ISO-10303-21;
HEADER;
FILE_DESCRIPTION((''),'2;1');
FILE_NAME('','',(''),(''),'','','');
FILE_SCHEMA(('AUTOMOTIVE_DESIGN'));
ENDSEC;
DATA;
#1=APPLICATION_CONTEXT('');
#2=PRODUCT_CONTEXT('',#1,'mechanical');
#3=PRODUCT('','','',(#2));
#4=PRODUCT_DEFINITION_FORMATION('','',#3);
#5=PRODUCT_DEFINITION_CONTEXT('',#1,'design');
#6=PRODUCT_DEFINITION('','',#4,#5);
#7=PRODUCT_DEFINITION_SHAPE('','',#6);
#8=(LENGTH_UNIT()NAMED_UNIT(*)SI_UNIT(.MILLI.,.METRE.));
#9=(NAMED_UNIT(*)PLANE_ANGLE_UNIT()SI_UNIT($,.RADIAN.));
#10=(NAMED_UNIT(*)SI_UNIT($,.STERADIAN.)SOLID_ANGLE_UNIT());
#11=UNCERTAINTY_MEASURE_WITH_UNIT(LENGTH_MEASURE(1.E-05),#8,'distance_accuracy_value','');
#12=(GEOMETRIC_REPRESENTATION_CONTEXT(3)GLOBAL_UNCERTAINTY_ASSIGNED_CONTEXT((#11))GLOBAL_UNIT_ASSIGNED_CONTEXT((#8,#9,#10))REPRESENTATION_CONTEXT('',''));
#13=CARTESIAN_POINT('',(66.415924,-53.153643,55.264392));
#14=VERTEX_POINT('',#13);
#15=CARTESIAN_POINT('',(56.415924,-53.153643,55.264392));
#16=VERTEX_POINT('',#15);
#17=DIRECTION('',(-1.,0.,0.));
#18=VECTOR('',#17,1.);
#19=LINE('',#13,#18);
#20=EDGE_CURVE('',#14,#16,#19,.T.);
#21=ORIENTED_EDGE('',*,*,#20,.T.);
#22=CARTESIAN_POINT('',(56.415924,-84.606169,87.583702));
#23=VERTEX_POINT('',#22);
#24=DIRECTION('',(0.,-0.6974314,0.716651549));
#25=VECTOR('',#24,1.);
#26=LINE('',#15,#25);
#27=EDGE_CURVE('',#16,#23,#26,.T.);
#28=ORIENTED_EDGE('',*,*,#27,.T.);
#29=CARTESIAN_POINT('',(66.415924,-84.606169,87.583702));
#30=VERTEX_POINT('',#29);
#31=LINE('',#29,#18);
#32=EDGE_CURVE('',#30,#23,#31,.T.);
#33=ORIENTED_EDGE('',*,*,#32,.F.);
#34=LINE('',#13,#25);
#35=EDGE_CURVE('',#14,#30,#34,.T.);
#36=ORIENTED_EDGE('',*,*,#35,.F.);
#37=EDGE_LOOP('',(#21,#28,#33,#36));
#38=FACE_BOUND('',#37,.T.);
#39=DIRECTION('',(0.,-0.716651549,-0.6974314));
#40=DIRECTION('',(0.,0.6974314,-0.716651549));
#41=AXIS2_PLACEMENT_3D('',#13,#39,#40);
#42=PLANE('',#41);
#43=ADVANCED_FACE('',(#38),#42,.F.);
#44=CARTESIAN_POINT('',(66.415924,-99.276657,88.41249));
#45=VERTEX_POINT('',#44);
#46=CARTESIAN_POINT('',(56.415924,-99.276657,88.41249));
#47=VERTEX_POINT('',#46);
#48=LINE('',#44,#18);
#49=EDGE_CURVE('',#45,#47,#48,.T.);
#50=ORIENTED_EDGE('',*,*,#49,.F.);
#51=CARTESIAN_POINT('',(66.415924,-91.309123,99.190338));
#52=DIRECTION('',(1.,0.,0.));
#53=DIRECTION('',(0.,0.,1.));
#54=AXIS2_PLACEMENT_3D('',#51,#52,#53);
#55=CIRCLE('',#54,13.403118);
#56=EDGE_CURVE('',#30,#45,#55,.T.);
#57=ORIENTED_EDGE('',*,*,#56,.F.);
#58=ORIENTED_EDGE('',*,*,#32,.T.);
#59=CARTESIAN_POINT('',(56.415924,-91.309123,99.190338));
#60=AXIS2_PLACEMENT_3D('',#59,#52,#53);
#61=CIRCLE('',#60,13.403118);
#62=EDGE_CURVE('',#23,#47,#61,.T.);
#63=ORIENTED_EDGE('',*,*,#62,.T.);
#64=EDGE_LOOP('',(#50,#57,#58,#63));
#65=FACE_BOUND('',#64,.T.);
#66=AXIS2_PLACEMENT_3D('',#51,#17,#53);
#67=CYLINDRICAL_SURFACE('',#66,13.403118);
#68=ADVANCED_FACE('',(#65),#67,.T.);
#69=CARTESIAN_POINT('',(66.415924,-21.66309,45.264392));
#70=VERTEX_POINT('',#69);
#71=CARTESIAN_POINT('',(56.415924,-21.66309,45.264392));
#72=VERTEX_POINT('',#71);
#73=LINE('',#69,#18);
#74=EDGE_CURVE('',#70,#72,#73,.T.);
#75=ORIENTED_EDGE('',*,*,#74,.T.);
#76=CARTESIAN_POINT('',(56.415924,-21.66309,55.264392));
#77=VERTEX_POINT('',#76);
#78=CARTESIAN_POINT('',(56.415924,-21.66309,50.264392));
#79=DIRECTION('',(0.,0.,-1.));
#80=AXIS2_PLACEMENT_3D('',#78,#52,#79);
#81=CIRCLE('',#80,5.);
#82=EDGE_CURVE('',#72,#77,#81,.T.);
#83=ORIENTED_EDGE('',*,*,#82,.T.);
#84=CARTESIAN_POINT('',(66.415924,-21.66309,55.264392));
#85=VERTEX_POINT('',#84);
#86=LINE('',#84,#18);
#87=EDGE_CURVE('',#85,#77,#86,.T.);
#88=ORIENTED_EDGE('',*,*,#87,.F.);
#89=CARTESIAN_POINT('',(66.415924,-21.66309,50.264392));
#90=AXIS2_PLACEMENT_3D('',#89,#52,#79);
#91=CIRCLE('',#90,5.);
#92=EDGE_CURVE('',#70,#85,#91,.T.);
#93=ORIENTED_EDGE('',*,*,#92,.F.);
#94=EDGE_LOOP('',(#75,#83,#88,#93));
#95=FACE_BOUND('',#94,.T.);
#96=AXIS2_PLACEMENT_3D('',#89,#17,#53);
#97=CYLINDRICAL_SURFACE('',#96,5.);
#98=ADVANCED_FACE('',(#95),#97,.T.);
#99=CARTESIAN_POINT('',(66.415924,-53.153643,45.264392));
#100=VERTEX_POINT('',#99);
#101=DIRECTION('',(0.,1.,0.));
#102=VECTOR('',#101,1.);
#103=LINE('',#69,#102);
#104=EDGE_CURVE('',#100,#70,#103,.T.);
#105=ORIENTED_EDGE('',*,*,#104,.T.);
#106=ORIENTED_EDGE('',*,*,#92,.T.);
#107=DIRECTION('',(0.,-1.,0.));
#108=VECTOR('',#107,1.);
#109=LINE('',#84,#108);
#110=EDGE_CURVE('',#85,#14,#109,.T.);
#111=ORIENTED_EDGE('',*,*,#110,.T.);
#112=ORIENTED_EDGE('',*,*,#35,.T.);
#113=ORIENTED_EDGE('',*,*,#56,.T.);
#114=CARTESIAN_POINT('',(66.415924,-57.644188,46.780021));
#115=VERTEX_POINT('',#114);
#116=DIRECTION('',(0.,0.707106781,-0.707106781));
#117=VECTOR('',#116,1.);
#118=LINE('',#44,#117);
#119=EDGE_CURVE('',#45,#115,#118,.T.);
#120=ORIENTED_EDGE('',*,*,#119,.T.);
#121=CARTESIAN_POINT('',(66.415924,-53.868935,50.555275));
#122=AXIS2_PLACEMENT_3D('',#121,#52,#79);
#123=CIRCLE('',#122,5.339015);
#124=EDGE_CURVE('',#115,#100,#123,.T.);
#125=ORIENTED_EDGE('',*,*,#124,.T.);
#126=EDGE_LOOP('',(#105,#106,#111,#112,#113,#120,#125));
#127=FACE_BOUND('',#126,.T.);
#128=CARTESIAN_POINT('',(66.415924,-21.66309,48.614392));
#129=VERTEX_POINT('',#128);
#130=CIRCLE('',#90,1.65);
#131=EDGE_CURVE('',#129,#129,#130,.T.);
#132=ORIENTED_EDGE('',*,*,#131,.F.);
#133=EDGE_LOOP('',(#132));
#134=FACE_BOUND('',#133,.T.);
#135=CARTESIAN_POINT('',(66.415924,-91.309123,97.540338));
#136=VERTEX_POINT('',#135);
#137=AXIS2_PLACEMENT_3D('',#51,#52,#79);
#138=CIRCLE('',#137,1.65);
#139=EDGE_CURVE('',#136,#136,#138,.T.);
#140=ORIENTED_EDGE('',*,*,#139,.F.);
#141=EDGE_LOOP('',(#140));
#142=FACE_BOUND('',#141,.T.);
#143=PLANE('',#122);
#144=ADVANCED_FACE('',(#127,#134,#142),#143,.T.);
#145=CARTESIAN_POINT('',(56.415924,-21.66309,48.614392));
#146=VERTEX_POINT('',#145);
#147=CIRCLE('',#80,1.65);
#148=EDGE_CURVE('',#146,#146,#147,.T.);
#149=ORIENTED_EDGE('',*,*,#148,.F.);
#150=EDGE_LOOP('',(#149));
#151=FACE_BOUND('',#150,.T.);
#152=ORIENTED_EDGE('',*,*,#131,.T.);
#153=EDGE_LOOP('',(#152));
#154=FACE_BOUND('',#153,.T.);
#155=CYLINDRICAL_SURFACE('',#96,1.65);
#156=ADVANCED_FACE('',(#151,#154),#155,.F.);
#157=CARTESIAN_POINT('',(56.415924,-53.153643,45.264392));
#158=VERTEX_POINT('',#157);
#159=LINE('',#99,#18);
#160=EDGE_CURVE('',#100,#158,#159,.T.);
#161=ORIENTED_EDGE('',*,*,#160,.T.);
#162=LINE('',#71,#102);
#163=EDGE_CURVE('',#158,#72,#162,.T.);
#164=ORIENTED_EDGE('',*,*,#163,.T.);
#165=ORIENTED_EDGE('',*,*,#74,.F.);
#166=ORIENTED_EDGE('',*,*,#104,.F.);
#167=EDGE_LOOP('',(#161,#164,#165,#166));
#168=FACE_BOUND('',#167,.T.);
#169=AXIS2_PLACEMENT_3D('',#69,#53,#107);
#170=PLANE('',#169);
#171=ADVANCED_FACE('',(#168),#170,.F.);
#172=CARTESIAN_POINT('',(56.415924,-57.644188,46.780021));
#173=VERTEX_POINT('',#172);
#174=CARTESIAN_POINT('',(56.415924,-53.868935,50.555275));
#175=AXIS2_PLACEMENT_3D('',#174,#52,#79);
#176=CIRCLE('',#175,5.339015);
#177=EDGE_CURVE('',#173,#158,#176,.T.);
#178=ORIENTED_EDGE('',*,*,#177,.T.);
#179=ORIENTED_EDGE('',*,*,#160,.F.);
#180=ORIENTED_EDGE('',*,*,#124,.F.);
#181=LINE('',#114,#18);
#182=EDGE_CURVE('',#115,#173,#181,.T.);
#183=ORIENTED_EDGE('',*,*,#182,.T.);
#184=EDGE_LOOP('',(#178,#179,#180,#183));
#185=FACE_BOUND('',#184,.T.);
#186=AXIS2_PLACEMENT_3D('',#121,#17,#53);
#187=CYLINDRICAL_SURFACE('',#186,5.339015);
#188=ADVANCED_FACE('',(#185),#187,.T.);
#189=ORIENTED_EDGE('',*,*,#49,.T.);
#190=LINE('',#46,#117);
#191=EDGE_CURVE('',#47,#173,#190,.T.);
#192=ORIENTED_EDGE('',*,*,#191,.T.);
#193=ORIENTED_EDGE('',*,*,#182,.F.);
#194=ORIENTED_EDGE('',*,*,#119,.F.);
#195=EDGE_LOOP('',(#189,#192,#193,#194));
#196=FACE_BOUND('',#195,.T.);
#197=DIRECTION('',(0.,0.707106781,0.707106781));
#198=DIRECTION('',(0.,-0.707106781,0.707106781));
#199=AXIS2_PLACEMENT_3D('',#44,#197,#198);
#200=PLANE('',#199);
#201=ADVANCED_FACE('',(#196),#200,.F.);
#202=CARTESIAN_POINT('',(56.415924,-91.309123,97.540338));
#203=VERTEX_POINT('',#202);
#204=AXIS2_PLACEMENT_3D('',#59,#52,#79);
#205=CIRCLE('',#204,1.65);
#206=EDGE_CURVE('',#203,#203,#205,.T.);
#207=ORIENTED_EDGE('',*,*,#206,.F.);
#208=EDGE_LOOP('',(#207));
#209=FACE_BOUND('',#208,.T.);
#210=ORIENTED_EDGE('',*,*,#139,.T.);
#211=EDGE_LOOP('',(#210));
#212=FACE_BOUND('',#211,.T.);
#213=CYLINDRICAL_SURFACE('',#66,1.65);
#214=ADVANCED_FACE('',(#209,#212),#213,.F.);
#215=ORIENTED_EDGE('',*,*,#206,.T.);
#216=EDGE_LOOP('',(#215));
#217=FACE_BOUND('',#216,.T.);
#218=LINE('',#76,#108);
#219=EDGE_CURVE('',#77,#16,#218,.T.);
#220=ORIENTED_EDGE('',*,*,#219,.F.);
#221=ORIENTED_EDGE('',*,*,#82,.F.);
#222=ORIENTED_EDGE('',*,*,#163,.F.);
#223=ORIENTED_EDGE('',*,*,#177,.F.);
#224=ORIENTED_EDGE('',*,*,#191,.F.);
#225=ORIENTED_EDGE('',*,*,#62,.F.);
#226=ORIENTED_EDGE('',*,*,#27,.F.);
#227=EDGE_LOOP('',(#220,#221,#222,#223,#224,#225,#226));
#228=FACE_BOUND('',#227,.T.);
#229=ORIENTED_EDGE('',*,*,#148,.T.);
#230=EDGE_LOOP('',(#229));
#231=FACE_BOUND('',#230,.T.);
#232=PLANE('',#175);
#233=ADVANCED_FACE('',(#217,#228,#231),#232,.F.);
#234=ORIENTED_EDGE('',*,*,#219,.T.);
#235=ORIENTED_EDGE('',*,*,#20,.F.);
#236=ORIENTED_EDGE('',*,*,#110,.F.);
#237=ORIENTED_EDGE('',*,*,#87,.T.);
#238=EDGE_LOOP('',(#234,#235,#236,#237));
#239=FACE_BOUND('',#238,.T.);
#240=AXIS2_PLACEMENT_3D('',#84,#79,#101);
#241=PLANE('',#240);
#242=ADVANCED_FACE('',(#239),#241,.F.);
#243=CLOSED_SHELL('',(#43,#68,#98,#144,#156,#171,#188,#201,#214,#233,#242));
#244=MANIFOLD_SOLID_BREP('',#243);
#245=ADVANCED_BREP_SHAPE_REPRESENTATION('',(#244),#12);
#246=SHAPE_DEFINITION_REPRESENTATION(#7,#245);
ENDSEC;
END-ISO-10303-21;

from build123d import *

# Parameters (mm, degrees)
SKETCH_1_R      = 1.65
EXTRUDE_1_DEPTH = 10


with BuildPart() as part:
    # 草图1 → 凸台-拉伸1 (new body)
    with BuildSketch(Plane(origin=(56.415924247, 0, 0), x_dir=(0, 0, -1), z_dir=(1, 0, 0))):
        with BuildLine():
            Line((-55.264392442, -53.153642626), (-87.583702197, -84.606168615))
            ThreePointArc((-87.583702197, -84.606168615), (-112.572118878, -90.553138734), (-88.412490375, -99.276657086))
            Line((-88.412490375, -99.276657086), (-46.780021188, -57.644187899))
            ThreePointArc((-46.780021188, -57.644187899), (-45.496623318, -55.576307852), (-45.264392442, -53.153642626))
            Line((-45.264392442, -53.153642626), (-45.264392442, -21.663090289))
            ThreePointArc((-45.264392442, -21.663090289), (-50.264392442, -16.663090289), (-55.264392442, -21.663090289))
            Line((-55.264392442, -21.663090289), (-55.264392442, -53.153642626))
        make_face()
        with Locations((-50.264392442, -21.663090289)):
            Circle(SKETCH_1_R, mode=Mode.SUBTRACT)
        with Locations((-99.19033753, -91.309123254)):
            Circle(SKETCH_1_R, mode=Mode.SUBTRACT)
    extrude(amount=EXTRUDE_1_DEPTH)


solid = part.part
